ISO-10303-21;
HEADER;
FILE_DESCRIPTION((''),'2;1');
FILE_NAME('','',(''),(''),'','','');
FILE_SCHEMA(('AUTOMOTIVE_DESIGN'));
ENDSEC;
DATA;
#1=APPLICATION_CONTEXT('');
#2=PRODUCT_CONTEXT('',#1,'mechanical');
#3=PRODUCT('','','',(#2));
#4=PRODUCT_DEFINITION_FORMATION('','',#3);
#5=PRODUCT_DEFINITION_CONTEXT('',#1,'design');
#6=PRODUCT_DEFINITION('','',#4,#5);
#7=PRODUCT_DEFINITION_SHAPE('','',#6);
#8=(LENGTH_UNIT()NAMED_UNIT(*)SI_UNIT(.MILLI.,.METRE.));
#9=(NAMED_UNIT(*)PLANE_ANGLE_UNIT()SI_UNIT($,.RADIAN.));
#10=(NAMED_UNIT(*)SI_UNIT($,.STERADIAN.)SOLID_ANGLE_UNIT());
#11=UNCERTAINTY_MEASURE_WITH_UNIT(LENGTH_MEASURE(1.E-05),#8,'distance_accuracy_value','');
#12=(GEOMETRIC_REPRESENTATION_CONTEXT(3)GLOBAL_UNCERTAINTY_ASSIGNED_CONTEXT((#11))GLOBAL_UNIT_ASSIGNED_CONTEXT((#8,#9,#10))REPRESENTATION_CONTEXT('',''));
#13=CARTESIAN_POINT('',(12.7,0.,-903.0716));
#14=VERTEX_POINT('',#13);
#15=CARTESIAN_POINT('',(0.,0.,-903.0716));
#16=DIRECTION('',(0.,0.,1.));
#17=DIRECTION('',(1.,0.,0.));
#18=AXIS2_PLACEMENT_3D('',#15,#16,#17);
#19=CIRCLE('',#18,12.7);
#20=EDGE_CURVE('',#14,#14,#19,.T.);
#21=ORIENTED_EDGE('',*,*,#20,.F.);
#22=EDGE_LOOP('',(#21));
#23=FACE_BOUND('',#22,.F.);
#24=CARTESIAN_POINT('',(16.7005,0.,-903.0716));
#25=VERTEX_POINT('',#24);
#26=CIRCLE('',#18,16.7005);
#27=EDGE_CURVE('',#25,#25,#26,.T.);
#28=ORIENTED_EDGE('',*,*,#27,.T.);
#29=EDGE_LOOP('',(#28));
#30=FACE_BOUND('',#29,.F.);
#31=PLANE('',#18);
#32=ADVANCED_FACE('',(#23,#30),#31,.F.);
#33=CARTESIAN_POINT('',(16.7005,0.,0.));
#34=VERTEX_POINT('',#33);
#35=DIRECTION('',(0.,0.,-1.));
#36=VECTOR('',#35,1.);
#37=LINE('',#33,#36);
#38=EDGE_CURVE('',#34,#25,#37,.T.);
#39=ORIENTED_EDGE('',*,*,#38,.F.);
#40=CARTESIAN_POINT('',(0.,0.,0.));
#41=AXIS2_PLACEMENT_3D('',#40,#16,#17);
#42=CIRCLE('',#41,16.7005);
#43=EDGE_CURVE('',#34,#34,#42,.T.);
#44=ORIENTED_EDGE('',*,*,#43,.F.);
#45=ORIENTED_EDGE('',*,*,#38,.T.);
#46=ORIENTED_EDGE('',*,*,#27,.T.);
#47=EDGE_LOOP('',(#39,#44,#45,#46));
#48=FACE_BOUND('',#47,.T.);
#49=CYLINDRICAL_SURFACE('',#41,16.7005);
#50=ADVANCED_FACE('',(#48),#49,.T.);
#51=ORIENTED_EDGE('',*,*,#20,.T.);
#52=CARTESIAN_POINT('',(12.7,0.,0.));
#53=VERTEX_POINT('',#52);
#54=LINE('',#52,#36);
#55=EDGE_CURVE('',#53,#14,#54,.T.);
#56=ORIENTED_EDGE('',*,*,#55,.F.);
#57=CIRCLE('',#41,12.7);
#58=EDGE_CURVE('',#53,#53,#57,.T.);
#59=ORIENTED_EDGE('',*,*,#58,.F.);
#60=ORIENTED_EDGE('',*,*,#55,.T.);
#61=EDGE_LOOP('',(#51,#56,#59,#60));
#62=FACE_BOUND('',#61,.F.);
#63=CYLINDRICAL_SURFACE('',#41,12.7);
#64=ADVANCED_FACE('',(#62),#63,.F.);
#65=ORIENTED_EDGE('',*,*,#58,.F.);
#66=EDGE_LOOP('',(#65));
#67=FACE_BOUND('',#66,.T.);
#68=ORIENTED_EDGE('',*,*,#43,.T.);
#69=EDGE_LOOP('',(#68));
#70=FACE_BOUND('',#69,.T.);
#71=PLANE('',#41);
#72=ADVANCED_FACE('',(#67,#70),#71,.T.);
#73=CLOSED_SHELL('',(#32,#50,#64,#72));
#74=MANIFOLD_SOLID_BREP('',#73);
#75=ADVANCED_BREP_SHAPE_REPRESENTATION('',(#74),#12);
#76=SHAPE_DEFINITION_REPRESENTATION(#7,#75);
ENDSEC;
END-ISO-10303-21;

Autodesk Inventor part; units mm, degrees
ref_plane "YZ Plane" through (0, 0, 0) normal (1, 0, 0) x (0, 1, 0)
ref_plane "XZ Plane" through (0, 0, 0) normal (0, 1, 0) x (-1, 0, 0)
ref_plane "XY Plane" through (0, 0, 0) normal (0, 0, 1) x (1, 0, 0)
sketch "Sketch1" plane through (0, 0, 0) normal (0, 0, 1) x (1, 0, 0)
  circle A0 centre (0, 0) radius 16.7005
  circle A1 centre (0, 0) radius 12.7
  dimension "d0" = 33.401
  dimension "d1" = 25.4
extrude "Extrusion1" add sketch "Sketch1" against normal blind 903.0716
properties part number "Pipe 4"
